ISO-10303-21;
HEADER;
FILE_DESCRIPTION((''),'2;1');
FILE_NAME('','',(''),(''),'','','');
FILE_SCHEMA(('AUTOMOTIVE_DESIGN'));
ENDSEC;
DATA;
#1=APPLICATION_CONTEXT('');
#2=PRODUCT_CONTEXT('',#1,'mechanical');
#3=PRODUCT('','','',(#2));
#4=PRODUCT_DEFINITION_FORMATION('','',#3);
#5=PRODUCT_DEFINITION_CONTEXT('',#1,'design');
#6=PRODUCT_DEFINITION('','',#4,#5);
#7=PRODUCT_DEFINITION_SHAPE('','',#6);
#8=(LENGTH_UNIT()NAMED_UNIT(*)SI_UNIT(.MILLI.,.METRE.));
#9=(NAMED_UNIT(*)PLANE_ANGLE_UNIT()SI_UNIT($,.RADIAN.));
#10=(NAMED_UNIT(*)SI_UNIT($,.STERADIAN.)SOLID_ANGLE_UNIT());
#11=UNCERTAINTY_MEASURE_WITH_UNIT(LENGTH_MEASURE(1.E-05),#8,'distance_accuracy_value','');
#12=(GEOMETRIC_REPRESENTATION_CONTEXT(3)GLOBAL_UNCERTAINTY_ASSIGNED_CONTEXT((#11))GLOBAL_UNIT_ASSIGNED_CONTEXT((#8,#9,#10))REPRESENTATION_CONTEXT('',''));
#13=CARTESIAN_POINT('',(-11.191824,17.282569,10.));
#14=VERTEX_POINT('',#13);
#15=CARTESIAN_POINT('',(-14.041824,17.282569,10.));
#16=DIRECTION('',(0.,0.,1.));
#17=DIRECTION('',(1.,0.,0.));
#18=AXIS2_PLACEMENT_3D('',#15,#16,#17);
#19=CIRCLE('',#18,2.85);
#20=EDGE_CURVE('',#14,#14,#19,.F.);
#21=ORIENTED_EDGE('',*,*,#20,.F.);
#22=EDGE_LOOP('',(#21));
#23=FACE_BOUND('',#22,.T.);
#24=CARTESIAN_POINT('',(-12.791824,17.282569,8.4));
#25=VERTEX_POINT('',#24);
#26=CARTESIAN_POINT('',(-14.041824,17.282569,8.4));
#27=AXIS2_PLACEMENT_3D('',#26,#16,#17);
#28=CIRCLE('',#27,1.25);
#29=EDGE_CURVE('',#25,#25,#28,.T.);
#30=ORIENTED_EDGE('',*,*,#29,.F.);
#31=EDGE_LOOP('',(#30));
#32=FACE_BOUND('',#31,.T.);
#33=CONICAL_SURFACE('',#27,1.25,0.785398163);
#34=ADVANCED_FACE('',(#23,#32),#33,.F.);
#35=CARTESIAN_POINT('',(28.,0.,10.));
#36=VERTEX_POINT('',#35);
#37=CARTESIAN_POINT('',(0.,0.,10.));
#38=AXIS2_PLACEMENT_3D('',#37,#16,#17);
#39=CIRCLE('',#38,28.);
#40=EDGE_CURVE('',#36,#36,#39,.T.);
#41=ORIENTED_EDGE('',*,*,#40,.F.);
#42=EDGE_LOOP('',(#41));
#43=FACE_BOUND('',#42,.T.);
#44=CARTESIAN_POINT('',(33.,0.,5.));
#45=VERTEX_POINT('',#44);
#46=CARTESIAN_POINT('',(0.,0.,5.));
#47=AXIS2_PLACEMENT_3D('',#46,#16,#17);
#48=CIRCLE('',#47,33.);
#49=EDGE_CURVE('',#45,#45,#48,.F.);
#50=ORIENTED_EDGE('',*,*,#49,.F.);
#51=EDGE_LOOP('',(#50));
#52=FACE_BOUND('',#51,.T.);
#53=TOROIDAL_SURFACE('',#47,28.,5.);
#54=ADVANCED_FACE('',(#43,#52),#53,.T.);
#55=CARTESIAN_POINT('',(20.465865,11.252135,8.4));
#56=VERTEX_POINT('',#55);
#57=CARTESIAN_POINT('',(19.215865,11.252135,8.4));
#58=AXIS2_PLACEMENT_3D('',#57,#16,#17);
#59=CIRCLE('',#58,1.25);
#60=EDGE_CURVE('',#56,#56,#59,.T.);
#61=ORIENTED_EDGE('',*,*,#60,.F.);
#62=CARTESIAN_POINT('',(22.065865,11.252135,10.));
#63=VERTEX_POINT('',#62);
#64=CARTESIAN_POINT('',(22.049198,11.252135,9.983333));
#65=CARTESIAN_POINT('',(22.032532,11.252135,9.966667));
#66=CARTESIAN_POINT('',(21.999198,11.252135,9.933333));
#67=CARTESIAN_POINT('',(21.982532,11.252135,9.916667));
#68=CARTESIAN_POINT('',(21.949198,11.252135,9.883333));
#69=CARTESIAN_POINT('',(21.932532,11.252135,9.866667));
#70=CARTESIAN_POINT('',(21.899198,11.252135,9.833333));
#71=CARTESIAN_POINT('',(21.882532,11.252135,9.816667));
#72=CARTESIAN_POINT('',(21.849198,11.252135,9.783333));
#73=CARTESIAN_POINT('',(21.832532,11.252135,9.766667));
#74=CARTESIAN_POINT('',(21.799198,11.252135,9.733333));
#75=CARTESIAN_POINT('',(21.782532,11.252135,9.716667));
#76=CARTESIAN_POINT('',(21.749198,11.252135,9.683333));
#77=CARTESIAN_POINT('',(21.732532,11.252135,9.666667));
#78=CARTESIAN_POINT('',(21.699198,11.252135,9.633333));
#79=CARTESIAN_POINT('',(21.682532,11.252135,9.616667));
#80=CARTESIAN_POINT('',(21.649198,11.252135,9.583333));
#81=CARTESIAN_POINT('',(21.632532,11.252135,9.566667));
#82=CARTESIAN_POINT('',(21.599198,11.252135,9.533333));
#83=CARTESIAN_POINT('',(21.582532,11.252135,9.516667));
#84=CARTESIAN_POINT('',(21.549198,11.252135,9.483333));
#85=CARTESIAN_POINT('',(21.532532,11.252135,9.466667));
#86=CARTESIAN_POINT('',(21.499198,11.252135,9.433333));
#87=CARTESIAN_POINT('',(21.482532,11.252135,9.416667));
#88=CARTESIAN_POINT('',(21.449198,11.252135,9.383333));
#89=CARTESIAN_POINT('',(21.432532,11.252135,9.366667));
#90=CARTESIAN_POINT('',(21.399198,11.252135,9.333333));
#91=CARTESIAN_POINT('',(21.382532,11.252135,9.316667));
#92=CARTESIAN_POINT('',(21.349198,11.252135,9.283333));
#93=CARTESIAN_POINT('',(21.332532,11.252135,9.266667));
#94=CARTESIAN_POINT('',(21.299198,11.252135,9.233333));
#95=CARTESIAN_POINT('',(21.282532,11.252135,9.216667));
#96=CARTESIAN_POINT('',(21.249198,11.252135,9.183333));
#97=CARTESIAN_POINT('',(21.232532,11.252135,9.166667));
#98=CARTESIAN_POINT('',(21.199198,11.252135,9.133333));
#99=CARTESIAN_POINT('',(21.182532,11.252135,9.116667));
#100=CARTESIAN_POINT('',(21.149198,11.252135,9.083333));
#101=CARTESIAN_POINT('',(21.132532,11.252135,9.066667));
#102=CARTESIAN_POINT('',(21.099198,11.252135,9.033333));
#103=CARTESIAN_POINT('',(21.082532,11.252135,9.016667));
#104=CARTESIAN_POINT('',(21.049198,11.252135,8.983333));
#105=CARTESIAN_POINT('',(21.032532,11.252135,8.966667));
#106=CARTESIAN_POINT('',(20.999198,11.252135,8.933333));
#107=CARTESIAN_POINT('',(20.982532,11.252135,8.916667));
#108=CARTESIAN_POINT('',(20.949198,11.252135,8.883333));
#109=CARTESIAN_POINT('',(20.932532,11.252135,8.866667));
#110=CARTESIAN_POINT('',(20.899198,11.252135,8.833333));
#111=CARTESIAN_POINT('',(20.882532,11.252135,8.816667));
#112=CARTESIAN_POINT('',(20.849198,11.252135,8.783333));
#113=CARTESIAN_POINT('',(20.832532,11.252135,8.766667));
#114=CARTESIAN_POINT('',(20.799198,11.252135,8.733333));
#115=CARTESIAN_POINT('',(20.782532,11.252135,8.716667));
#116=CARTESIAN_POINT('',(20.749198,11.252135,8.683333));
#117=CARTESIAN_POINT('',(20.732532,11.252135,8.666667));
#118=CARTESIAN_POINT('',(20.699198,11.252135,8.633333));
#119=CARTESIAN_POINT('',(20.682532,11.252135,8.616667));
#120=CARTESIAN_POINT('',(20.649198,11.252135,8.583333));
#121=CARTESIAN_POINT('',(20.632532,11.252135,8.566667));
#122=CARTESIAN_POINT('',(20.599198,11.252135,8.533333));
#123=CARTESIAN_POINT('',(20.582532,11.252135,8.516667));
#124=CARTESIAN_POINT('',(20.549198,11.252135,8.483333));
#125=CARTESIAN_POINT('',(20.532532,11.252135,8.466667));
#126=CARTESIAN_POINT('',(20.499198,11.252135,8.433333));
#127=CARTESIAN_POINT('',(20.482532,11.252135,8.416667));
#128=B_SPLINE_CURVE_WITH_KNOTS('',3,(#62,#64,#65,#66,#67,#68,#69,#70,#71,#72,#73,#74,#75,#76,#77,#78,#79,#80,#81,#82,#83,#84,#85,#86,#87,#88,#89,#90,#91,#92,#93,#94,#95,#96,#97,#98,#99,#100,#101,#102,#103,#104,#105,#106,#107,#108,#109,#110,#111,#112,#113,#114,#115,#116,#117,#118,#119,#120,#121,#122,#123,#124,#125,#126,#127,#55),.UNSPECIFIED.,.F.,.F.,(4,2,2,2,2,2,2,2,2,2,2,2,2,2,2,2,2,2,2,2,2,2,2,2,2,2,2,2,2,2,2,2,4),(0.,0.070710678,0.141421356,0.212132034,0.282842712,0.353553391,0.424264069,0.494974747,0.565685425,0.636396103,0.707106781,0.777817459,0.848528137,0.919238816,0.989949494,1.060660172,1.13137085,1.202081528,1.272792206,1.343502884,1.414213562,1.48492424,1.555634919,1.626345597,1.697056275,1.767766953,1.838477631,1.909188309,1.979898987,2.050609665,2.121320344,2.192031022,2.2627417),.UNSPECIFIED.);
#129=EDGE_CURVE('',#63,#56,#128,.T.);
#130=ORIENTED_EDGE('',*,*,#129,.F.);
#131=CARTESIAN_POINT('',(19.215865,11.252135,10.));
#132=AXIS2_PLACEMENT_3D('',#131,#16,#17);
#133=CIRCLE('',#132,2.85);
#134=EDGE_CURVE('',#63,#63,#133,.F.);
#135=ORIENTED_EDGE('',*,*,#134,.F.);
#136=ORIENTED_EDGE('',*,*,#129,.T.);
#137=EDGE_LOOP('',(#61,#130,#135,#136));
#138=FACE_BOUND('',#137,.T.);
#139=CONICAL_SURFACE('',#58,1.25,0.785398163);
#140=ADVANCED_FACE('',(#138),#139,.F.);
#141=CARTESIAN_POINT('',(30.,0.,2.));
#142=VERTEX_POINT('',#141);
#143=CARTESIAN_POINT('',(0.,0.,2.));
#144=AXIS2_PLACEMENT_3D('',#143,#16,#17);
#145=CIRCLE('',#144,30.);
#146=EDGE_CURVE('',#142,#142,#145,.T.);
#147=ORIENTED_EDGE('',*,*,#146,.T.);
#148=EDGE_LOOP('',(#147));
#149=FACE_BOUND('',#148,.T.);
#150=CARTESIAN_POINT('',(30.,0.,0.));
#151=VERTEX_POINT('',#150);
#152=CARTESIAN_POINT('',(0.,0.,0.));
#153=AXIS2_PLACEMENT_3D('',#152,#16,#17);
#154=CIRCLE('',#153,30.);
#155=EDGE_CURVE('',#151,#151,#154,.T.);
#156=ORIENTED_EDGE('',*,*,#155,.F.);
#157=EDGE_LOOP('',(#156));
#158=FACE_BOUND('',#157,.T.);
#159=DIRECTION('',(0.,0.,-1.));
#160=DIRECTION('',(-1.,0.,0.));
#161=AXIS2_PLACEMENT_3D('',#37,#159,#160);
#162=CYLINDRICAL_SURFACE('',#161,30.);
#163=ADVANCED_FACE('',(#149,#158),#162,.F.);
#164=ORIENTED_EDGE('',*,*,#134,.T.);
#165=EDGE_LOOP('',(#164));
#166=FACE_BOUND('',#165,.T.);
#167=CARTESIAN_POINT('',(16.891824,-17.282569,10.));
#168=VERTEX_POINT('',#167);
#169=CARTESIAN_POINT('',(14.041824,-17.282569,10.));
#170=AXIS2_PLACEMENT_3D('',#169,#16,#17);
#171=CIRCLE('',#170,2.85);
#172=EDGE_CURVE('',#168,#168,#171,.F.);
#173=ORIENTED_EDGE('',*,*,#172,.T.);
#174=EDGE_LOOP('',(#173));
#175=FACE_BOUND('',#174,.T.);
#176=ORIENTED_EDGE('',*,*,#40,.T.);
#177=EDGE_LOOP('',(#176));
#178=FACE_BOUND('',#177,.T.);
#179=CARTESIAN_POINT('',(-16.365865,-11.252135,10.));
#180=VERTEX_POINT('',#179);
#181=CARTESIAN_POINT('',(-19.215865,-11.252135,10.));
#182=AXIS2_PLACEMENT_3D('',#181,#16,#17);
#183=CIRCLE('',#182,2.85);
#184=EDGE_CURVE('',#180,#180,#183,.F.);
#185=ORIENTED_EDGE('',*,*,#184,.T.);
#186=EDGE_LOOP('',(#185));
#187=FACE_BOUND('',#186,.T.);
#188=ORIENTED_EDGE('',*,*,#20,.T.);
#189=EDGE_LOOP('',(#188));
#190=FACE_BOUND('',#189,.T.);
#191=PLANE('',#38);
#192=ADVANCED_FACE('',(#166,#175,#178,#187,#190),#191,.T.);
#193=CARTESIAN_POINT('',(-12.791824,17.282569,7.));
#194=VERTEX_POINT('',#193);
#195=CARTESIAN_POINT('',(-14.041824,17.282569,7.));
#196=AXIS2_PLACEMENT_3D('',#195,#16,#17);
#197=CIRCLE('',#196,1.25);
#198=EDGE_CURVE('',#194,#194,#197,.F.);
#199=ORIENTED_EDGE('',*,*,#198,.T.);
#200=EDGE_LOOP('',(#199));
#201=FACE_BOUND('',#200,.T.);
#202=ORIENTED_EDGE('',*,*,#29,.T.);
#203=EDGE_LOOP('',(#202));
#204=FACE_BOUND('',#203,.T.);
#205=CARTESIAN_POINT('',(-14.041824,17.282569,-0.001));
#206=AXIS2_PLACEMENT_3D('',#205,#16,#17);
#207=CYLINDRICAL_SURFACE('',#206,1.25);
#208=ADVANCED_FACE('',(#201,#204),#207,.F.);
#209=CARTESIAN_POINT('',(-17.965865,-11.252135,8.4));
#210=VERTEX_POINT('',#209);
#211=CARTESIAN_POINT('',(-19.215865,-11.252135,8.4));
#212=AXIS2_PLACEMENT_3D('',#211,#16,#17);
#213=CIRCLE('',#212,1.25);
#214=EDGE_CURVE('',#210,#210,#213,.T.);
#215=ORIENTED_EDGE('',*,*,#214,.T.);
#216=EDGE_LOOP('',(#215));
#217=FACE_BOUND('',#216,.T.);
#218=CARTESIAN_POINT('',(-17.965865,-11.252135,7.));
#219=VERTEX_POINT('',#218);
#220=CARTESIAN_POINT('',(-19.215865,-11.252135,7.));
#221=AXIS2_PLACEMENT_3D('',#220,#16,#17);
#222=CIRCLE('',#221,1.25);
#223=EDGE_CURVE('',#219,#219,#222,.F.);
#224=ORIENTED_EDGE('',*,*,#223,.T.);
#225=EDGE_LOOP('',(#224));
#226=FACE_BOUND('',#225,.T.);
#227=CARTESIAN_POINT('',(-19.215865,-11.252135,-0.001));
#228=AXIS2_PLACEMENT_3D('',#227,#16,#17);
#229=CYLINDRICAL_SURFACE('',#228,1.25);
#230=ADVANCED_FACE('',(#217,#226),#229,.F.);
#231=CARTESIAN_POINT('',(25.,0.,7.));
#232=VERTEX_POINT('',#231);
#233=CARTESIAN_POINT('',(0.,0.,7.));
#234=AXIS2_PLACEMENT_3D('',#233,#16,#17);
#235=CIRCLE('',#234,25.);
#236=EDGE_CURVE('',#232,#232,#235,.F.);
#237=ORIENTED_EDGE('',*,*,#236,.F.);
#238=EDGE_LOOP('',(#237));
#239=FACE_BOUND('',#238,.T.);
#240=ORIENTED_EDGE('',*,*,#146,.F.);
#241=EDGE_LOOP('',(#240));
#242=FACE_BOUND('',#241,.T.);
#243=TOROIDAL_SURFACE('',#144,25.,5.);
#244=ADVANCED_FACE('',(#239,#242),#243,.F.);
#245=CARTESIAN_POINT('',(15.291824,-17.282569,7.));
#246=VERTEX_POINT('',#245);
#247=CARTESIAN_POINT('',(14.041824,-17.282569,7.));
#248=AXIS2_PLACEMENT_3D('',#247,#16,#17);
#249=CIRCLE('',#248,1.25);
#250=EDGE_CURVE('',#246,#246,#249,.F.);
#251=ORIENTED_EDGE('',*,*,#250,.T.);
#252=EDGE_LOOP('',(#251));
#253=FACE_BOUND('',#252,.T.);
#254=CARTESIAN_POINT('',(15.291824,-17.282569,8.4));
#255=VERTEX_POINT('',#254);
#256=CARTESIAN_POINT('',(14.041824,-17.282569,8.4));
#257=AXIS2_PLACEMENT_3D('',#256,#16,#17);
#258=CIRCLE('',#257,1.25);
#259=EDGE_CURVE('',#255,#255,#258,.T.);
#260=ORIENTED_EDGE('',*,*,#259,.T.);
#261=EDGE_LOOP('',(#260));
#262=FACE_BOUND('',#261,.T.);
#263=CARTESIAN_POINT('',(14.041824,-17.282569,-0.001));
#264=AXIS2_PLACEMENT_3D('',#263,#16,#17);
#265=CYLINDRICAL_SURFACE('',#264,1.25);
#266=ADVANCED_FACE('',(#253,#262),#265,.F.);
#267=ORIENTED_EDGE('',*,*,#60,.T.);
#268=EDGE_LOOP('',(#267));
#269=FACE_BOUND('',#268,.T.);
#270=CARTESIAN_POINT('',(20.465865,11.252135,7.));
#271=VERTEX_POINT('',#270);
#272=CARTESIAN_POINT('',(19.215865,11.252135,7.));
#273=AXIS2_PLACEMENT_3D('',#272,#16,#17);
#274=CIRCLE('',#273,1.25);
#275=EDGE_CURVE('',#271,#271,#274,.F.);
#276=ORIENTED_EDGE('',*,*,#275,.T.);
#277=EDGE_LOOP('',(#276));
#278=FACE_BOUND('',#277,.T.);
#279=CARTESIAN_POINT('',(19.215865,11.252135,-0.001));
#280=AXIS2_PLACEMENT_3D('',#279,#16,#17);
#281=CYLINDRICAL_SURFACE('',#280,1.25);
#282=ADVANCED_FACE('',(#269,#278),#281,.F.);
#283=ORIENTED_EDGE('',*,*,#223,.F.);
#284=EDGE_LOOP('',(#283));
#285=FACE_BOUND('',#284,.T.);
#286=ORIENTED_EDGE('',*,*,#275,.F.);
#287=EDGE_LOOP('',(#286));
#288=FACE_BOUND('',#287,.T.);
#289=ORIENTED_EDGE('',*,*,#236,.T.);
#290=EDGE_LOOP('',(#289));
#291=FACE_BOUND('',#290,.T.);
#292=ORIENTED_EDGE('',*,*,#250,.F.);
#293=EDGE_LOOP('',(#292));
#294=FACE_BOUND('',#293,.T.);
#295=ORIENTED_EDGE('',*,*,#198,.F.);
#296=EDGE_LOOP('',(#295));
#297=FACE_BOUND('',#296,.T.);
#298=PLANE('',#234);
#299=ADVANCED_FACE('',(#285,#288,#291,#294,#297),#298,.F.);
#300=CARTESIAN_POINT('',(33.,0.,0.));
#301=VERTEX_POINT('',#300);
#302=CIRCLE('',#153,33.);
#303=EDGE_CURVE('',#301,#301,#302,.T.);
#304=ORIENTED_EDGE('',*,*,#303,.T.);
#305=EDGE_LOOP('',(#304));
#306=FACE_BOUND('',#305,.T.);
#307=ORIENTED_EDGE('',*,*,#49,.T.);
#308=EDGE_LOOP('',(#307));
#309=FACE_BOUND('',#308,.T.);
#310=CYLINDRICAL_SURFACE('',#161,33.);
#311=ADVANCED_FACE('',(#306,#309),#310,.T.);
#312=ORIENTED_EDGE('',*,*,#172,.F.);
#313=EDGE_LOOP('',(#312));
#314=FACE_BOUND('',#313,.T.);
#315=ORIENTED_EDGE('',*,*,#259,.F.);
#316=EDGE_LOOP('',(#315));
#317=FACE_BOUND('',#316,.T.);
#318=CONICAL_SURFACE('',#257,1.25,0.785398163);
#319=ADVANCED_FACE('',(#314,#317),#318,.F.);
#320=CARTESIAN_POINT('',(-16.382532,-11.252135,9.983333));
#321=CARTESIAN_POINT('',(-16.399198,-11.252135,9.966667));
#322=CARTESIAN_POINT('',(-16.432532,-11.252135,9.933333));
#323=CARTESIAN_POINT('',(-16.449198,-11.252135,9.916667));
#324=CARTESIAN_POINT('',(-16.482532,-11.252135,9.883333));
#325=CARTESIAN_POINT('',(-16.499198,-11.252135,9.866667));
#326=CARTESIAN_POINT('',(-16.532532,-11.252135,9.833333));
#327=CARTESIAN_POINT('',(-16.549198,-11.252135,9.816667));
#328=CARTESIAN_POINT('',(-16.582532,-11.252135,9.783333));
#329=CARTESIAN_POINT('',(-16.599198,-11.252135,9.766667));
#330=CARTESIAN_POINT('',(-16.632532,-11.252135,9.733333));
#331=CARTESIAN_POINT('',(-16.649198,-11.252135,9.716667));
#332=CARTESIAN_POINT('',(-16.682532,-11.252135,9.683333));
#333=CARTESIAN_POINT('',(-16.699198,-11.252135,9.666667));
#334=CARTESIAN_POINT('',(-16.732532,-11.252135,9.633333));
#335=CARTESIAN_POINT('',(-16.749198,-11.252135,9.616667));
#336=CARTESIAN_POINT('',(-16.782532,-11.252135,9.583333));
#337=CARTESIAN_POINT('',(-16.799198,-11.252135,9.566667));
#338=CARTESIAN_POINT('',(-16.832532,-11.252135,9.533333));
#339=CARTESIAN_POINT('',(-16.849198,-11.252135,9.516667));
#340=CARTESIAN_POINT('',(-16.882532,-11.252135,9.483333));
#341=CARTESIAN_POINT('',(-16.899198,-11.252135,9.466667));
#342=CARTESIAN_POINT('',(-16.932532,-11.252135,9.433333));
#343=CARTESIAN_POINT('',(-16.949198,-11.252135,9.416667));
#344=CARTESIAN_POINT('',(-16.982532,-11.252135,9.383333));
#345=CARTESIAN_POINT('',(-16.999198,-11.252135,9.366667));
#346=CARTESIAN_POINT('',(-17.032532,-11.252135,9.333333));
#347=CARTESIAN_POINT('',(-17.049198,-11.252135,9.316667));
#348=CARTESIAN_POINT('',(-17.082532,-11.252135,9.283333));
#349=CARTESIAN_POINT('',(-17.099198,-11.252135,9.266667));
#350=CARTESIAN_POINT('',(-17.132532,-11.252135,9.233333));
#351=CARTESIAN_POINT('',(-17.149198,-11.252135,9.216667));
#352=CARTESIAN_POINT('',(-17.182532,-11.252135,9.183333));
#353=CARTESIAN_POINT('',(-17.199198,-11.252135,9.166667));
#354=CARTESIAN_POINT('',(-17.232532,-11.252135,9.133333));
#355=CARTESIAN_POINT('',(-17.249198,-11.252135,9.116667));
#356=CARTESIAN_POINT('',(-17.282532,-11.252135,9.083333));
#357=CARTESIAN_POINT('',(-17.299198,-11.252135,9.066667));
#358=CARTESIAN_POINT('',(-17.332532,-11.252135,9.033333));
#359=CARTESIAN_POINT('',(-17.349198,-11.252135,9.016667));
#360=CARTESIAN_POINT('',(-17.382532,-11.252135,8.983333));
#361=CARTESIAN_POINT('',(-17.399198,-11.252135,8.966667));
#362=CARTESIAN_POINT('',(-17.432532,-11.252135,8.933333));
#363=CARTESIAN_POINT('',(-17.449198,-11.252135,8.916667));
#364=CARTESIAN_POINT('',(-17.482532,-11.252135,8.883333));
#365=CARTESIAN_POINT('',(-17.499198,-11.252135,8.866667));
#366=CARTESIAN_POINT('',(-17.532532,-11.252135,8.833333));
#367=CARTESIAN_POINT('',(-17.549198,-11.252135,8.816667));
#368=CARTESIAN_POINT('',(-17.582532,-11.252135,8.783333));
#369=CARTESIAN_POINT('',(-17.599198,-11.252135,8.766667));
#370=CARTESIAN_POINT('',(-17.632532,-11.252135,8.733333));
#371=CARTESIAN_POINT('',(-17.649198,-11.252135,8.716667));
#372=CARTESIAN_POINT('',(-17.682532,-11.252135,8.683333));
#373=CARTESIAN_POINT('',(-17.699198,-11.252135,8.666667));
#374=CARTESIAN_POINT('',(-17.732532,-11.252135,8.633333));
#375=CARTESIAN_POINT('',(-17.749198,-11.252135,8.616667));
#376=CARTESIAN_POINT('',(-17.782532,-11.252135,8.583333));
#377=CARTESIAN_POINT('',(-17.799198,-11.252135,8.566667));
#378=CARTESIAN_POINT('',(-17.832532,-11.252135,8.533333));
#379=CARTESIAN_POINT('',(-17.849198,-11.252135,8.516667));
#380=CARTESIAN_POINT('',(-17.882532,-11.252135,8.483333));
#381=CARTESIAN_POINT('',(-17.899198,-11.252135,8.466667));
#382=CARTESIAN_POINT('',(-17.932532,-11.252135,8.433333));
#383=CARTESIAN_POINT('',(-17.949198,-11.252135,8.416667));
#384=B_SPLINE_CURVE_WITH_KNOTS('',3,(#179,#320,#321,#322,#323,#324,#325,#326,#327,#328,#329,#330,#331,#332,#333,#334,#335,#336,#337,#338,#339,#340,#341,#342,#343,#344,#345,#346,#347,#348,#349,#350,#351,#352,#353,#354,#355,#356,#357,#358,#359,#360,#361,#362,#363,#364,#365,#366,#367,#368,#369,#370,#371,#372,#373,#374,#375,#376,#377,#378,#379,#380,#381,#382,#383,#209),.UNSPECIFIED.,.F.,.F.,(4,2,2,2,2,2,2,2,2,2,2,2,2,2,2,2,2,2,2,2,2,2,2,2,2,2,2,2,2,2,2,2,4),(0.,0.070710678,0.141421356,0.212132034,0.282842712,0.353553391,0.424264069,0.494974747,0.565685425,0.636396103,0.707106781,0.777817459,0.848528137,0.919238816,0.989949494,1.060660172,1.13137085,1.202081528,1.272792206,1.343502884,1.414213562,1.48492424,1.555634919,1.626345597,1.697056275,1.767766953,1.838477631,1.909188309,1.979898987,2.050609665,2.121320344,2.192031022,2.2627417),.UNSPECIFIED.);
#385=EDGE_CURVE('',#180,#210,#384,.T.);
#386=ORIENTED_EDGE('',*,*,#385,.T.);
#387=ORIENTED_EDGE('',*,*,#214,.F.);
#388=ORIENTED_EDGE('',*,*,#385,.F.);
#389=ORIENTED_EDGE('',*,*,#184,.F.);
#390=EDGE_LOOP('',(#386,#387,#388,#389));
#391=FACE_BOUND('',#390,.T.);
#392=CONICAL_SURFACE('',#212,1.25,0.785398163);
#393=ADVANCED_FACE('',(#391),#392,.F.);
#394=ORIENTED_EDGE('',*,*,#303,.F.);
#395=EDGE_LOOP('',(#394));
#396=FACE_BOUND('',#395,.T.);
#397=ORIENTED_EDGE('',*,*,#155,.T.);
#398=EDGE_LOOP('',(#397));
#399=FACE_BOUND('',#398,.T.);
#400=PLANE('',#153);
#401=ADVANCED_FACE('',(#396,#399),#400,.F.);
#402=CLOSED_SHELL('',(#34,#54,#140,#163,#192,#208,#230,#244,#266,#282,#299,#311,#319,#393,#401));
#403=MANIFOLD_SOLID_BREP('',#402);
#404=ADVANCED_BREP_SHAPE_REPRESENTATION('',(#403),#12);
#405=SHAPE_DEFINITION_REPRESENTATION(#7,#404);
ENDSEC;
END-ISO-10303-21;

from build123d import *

# Parameters (mm, degrees)
CROQUIS1_R              = 33
SALIENTE_EXTRUIR1_DEPTH = 10
VACIADO1_T              = -3
REDONDEO1_R             = 5
CORTAR_EXTRUIR1_REACH   = 49.728
CROQUIS2_R              = 1.25
CHAFL_N1_SIZE           = 1.6


with BuildPart() as part:
    # Croquis1 → Saliente-Extruir1 (new body)
    with BuildSketch(Plane.XY):
        Circle(CROQUIS1_R)
    extrude(amount=SALIENTE_EXTRUIR1_DEPTH)

    # Vaciado1
    vaciado1_openings = [part.faces().sort_by_distance(p)[0] for p in [
        (0, 0, 0),
    ]]
    offset(amount=VACIADO1_T, openings=vaciado1_openings, kind=Kind.INTERSECTION)

    # Redondeo1
    redondeo1_edges = [part.edges().sort_by_distance(p)[0] for p in [
        (-33, 0, 10),
        (-30, 0, 7),
    ]]
    fillet(redondeo1_edges, radius=REDONDEO1_R)

    # Croquis2 → Cortar-Extruir1 (cut, up to next)
    with BuildSketch(Plane.XY.offset(10), mode=Mode.PRIVATE) as cortar_extruir1_sk1:
        with Locations((14.041823927, -17.282568698)):
            Circle(CROQUIS2_R)
    cortar_extruir1_tool1 = extrude(cortar_extruir1_sk1.sketch, amount=-CORTAR_EXTRUIR1_REACH, mode=Mode.PRIVATE) & part.part
    # Croquis2 → Cortar-Extruir1 (cut, up to next)
    with BuildSketch(Plane.XY.offset(10), mode=Mode.PRIVATE) as cortar_extruir1_sk2:
        with Locations((19.215864901, 11.252134735)):
            Circle(CROQUIS2_R)
    cortar_extruir1_tool2 = extrude(cortar_extruir1_sk2.sketch, amount=-CORTAR_EXTRUIR1_REACH, mode=Mode.PRIVATE) & part.part
    # Croquis2 → Cortar-Extruir1 (cut, up to next)
    with BuildSketch(Plane.XY.offset(10), mode=Mode.PRIVATE) as cortar_extruir1_sk3:
        with Locations((-19.215864901, -11.252134735)):
            Circle(CROQUIS2_R)
    cortar_extruir1_tool3 = extrude(cortar_extruir1_sk3.sketch, amount=-CORTAR_EXTRUIR1_REACH, mode=Mode.PRIVATE) & part.part
    # Croquis2 → Cortar-Extruir1 (cut, up to next)
    with BuildSketch(Plane.XY.offset(10), mode=Mode.PRIVATE) as cortar_extruir1_sk4:
        with Locations((-14.041823927, 17.282568698)):
            Circle(CROQUIS2_R)
    cortar_extruir1_tool4 = extrude(cortar_extruir1_sk4.sketch, amount=-CORTAR_EXTRUIR1_REACH, mode=Mode.PRIVATE) & part.part
    add(cortar_extruir1_tool1.solids().sort_by_distance((14.041824, -17.282569, 10))[0], mode=Mode.SUBTRACT)
    add(cortar_extruir1_tool2.solids().sort_by_distance((19.215865, 11.252135, 10))[0], mode=Mode.SUBTRACT)
    add(cortar_extruir1_tool3.solids().sort_by_distance((-19.215865, -11.252135, 10))[0], mode=Mode.SUBTRACT)
    add(cortar_extruir1_tool4.solids().sort_by_distance((-14.041824, 17.282569, 10))[0], mode=Mode.SUBTRACT)

    # Chaflán1
    chafl_n1_edges = [part.edges().sort_by_distance(p)[0] for p in [
        (12.791823927, -17.282568698, 10),
        (17.965864901, 11.252134735, 10),
        (-20.465864901, -11.252134735, 10),
        (-15.291823927, 17.282568698, 10),
    ]]
    chamfer(chafl_n1_edges, length=CHAFL_N1_SIZE)


solid = part.part
